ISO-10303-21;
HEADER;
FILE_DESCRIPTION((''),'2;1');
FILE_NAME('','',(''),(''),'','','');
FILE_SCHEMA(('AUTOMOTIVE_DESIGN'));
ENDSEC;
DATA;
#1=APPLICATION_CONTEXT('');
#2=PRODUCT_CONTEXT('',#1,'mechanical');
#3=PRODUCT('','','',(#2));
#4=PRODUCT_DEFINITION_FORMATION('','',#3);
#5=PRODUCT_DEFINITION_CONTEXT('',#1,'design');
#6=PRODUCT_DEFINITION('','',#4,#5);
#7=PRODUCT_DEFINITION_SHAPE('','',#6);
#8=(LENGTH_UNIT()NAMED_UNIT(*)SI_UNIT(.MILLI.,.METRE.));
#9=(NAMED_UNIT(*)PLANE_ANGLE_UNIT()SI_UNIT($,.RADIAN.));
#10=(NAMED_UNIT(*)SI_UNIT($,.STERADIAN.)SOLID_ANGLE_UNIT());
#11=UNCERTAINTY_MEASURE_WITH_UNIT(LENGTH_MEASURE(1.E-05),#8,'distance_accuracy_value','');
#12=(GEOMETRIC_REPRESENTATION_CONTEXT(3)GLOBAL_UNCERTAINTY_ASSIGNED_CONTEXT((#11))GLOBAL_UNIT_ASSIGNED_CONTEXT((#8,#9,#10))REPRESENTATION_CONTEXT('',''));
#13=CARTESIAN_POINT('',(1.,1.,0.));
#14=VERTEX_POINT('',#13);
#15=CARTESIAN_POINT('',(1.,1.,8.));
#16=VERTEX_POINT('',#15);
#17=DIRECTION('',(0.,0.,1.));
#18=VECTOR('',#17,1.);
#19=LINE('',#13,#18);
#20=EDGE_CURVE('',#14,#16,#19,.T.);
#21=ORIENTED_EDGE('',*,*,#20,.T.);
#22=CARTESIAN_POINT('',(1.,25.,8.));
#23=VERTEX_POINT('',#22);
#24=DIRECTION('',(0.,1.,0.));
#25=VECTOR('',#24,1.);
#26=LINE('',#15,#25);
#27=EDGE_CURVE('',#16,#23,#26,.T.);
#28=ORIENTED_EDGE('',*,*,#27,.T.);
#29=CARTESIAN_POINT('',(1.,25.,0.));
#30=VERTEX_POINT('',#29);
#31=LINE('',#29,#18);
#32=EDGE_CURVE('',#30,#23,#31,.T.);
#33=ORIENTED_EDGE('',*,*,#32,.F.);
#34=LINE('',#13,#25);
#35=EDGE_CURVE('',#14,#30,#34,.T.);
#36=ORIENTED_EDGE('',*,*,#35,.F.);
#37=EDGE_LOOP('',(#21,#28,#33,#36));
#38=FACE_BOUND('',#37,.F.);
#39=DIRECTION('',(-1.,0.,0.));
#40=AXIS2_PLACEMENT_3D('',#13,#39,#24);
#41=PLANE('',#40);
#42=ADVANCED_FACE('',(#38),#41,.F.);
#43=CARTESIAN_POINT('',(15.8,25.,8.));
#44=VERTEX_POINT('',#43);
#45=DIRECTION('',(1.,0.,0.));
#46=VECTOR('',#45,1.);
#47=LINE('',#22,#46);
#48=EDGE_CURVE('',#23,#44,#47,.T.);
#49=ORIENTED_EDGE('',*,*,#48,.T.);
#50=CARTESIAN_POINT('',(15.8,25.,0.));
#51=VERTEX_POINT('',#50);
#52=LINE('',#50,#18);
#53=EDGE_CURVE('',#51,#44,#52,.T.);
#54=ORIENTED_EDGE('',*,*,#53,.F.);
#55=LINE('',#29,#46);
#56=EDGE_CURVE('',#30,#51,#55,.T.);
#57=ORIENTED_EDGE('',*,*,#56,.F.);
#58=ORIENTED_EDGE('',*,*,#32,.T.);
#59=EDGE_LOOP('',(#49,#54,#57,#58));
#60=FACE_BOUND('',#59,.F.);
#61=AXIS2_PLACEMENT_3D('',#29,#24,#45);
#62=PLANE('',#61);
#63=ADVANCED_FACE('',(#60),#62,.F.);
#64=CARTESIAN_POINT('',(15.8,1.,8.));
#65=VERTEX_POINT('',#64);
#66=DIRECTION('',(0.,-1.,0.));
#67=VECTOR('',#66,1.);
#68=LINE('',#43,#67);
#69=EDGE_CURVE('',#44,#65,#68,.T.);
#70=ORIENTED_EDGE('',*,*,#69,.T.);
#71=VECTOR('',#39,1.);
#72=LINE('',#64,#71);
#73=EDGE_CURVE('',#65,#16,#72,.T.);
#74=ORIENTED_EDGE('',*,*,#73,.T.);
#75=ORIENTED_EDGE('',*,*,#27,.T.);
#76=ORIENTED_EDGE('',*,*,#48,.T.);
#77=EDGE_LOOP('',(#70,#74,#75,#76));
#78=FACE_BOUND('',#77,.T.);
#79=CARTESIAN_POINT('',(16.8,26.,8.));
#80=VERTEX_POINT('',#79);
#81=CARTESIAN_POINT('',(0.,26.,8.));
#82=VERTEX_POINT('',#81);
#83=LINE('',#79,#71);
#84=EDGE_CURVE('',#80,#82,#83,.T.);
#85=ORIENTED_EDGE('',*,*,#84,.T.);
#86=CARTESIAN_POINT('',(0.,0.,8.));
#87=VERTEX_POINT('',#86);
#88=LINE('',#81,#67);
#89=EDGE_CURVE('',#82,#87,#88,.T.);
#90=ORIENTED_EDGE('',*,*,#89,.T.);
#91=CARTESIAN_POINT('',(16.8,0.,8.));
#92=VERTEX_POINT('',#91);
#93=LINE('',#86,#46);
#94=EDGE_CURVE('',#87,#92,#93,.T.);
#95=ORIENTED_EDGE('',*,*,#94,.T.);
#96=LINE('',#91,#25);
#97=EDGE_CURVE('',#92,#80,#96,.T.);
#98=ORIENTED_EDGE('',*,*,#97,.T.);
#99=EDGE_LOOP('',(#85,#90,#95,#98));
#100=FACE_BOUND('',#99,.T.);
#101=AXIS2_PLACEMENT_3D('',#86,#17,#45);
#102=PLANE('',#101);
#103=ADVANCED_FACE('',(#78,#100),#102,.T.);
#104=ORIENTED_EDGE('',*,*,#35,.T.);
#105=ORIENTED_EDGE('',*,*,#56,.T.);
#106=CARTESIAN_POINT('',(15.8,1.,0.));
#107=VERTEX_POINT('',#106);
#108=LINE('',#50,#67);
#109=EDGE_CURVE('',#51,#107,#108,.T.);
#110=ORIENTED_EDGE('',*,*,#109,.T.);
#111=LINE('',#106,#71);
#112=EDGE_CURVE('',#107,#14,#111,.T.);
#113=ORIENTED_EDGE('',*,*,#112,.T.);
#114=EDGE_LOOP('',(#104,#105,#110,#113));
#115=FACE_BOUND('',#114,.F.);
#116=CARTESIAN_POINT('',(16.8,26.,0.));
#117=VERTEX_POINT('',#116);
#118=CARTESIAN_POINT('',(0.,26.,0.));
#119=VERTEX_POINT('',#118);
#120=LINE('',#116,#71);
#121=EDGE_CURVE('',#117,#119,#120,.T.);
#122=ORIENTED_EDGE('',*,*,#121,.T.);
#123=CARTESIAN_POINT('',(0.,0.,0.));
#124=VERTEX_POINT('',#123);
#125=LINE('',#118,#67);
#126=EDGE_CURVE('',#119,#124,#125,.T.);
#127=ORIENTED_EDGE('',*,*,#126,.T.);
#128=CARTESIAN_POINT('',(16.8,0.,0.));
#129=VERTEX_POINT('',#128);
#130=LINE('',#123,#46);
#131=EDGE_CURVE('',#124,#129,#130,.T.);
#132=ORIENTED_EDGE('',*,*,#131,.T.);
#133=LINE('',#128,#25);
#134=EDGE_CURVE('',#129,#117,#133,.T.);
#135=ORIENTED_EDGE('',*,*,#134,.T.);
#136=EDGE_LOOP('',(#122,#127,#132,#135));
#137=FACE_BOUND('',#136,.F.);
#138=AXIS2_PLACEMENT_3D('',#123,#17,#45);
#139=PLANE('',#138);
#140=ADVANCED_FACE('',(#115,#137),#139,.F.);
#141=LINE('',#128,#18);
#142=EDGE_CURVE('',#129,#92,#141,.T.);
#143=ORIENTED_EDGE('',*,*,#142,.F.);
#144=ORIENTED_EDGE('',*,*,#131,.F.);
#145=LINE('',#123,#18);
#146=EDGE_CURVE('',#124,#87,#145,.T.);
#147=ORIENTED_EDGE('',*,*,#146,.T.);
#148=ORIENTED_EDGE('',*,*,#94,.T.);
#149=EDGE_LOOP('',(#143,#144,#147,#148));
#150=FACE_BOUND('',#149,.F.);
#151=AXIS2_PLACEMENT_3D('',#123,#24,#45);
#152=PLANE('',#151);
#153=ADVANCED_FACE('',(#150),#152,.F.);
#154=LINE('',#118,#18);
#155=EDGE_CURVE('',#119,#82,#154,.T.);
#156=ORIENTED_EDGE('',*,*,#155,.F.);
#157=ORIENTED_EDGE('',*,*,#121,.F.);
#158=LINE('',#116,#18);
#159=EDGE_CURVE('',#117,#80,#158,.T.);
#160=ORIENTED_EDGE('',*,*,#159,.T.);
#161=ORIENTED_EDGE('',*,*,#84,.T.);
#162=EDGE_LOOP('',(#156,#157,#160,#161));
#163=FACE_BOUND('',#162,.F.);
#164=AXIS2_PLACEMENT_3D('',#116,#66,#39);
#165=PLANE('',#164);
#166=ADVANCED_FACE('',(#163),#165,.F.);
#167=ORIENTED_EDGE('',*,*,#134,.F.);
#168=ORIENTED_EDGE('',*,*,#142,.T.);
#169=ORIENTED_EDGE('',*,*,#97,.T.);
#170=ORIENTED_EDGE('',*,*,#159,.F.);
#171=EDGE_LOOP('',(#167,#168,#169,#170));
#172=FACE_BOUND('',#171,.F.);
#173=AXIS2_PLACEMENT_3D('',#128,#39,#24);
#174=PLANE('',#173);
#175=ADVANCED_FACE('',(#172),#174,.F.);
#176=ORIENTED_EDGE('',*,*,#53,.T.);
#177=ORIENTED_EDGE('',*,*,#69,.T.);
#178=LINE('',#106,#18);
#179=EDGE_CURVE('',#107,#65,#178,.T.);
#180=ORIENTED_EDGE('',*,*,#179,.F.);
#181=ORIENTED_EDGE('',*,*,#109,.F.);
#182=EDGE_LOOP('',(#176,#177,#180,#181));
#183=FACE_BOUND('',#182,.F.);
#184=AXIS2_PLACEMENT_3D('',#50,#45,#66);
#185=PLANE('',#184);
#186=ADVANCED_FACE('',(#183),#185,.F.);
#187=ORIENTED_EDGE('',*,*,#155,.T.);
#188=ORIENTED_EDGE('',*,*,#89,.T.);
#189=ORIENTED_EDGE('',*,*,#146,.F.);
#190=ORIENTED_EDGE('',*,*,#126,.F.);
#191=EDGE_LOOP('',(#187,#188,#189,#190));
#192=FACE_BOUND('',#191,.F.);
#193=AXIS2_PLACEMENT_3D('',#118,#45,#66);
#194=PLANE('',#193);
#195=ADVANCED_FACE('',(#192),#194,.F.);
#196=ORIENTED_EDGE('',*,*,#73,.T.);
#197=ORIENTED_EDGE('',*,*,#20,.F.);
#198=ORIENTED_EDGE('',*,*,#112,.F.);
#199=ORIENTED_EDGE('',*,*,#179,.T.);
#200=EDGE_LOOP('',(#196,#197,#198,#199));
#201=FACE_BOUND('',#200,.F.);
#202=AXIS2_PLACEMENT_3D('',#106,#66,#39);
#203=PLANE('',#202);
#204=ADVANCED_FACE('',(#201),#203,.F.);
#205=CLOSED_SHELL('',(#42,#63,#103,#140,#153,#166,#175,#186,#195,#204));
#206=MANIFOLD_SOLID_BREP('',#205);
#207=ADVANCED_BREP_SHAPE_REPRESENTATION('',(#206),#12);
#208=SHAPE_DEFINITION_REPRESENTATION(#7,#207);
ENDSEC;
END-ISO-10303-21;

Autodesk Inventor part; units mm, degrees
ref_plane "YZ Plane" through (0, 0, 0) normal (1, 0, 0) x (0, 1, 0)
ref_plane "XZ Plane" through (0, 0, 0) normal (0, 1, 0) x (-1, 0, 0)
ref_plane "XY Plane" through (0, 0, 0) normal (0, 0, 1) x (1, 0, 0)
sketch "Sketch1" plane through (0, 0, 0) normal (0, 0, 1) x (1, 0, 0)
  line L0 (0, 0) -> (16.8, 0)
  line L1 (16.8, 0) -> (16.8, 26)
  line L2 (16.8, 26) -> (0, 26)
  line L3 (0, 26) -> (0, 0)
  line L4 (15.8, 1) -> (1, 1)
  line L5 (1, 1) -> (1, 25)
  line L6 (1, 25) -> (15.8, 25)
  line L7 (15.8, 25) -> (15.8, 1)
  dimension "d0" = 16.8
  dimension "d1" = 26
  dimension "d2" = 1
extrude "Extrusion1" add sketch "Sketch1" along normal blind 8
properties part number "ChimeraLowTestFanNozzle"
